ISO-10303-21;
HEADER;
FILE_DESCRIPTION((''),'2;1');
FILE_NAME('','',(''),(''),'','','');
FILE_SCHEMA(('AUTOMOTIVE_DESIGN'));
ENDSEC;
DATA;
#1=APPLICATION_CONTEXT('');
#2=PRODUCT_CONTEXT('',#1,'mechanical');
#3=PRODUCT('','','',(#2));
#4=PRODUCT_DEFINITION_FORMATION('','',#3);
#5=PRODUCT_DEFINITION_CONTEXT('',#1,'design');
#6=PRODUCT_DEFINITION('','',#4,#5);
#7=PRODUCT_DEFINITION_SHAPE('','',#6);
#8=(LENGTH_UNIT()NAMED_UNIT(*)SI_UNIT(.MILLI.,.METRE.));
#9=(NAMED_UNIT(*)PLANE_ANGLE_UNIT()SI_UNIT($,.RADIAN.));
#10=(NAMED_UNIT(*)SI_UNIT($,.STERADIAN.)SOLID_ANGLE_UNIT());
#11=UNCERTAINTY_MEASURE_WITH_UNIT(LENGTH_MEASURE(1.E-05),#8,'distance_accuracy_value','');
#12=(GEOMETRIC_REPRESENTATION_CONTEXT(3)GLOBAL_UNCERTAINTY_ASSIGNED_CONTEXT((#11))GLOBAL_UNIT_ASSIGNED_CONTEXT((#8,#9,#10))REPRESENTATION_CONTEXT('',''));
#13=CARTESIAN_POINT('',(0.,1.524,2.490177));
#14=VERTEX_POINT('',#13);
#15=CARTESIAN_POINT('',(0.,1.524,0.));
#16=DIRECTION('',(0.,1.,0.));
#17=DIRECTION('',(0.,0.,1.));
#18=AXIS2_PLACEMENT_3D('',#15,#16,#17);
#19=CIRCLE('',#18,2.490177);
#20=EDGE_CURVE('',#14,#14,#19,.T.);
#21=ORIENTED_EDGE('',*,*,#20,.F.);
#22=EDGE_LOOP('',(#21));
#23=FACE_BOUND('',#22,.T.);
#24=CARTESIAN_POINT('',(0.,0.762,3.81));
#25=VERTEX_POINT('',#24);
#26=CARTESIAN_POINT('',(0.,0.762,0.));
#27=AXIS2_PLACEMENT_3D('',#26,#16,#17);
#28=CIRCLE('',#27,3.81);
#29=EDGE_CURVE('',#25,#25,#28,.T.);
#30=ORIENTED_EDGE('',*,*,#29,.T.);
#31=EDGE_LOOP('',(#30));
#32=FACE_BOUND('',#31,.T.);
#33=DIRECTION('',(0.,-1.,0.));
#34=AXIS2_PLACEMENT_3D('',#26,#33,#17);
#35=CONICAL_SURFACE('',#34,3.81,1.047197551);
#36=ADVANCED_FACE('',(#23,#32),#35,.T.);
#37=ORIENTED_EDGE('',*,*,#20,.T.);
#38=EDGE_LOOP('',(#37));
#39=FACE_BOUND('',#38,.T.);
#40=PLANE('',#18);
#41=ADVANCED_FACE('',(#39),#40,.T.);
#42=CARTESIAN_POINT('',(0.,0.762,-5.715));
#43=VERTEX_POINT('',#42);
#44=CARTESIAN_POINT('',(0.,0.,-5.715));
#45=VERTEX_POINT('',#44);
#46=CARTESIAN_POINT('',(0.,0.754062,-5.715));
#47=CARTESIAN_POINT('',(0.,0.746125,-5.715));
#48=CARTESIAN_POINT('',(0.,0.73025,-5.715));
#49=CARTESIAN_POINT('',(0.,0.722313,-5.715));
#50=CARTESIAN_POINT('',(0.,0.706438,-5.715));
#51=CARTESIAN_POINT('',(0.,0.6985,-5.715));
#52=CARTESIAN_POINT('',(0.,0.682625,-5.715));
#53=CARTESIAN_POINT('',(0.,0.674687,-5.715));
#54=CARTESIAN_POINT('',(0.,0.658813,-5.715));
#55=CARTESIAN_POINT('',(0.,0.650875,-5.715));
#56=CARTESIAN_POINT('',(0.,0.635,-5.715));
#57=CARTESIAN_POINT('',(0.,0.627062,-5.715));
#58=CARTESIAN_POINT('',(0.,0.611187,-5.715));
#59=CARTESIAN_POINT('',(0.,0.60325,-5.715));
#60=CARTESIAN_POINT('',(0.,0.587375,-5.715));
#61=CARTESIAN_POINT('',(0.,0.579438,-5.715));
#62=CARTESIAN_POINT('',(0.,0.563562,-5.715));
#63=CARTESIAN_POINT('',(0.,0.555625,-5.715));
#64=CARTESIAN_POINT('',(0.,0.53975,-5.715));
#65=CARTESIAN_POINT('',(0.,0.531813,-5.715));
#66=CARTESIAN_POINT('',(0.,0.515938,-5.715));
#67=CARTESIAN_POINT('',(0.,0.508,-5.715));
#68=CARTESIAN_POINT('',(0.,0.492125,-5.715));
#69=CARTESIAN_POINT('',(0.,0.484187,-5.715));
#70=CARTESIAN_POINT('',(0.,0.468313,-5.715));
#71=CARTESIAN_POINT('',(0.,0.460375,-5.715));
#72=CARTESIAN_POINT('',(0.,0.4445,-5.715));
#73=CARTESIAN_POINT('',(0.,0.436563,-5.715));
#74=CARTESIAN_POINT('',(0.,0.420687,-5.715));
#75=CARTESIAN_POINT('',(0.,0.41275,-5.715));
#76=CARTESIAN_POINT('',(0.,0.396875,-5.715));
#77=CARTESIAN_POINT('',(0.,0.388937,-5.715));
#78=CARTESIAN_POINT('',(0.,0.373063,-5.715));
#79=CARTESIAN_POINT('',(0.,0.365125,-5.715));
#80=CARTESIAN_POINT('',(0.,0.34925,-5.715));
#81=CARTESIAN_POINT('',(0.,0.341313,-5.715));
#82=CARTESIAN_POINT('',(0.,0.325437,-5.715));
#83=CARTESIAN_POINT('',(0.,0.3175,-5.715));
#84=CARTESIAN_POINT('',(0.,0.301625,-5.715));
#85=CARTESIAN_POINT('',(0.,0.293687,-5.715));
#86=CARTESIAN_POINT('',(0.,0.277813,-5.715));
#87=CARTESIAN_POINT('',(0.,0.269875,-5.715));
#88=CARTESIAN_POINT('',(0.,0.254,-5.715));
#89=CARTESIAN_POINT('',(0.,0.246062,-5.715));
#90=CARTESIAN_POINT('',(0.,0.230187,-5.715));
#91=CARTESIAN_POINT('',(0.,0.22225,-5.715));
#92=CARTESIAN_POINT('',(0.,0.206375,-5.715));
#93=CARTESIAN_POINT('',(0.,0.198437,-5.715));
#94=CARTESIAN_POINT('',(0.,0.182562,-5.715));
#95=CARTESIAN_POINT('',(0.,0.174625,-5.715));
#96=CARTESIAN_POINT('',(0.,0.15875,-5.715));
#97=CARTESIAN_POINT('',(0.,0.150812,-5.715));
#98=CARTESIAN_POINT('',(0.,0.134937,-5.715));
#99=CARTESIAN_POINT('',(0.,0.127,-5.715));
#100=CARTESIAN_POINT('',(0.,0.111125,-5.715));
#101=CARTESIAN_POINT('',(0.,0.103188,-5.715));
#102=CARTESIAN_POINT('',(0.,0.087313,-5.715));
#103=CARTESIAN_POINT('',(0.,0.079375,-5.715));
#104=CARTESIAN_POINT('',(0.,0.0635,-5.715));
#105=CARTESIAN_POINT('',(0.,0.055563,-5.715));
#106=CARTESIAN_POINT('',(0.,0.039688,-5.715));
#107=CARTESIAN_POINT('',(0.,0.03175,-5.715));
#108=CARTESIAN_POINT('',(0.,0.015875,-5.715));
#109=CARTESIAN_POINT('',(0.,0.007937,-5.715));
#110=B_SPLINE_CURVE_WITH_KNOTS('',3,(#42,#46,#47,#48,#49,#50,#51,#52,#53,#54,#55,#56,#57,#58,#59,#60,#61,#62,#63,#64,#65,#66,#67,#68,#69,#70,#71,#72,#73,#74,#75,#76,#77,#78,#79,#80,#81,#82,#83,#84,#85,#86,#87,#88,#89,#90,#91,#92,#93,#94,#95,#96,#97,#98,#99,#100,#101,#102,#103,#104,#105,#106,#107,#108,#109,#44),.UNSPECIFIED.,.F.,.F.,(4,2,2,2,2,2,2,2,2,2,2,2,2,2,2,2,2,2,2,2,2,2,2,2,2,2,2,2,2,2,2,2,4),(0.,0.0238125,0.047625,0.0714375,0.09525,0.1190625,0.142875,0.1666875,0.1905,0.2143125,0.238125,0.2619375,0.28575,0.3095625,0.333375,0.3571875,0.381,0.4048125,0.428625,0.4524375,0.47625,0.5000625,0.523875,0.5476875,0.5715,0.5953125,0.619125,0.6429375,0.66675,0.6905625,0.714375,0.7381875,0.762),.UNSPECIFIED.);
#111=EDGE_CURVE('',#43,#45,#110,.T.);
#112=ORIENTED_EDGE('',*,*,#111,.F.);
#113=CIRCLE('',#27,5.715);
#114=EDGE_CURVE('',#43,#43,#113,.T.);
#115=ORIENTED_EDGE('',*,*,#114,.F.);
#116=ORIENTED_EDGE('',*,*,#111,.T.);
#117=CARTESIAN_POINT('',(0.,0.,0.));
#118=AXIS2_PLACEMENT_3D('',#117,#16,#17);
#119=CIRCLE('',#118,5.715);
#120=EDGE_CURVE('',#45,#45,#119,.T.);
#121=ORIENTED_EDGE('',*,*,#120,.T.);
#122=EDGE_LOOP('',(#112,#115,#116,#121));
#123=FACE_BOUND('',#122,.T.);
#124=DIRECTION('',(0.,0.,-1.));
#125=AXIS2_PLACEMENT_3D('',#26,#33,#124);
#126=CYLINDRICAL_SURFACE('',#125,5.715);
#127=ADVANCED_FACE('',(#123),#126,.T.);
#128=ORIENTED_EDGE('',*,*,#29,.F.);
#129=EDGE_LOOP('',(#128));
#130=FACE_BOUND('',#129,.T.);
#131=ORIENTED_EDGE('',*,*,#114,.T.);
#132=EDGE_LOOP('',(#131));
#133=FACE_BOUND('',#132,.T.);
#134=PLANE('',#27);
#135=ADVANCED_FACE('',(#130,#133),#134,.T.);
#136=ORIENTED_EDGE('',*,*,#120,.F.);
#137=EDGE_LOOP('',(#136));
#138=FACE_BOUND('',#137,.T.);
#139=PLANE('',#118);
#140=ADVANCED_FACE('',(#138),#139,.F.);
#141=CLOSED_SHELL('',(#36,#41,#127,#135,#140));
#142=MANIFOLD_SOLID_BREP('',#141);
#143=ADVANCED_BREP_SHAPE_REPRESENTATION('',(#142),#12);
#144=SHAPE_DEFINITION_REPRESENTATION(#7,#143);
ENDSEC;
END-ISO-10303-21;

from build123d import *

# Parameters (mm, degrees)
SKETCH2_R           = 5.715
BOSS_EXTRUDE1_DEPTH = 0.762
SKETCH3_R           = 3.81
BOSS_EXTRUDE2_DEPTH = 0.762
BOSS_EXTRUDE2_TAPER = 60


with BuildPart() as part:
    # Sketch2 → Boss-Extrude1 (new body)
    with BuildSketch(Plane(origin=(0, 0, 0), x_dir=(1, 0, 0), z_dir=(0, 1, 0))):
        with Locations(Location((0, 0, 0), (0, 0, 90))):
            Circle(SKETCH2_R)
    extrude(amount=BOSS_EXTRUDE1_DEPTH)

    # Sketch3 → Boss-Extrude2 (add)
    with BuildSketch(Plane(origin=(0, 0.762, 0), x_dir=(1, 0, 0), z_dir=(0, 1, 0))):
        Circle(SKETCH3_R)
    extrude(amount=BOSS_EXTRUDE2_DEPTH, taper=BOSS_EXTRUDE2_TAPER)


solid = part.part
